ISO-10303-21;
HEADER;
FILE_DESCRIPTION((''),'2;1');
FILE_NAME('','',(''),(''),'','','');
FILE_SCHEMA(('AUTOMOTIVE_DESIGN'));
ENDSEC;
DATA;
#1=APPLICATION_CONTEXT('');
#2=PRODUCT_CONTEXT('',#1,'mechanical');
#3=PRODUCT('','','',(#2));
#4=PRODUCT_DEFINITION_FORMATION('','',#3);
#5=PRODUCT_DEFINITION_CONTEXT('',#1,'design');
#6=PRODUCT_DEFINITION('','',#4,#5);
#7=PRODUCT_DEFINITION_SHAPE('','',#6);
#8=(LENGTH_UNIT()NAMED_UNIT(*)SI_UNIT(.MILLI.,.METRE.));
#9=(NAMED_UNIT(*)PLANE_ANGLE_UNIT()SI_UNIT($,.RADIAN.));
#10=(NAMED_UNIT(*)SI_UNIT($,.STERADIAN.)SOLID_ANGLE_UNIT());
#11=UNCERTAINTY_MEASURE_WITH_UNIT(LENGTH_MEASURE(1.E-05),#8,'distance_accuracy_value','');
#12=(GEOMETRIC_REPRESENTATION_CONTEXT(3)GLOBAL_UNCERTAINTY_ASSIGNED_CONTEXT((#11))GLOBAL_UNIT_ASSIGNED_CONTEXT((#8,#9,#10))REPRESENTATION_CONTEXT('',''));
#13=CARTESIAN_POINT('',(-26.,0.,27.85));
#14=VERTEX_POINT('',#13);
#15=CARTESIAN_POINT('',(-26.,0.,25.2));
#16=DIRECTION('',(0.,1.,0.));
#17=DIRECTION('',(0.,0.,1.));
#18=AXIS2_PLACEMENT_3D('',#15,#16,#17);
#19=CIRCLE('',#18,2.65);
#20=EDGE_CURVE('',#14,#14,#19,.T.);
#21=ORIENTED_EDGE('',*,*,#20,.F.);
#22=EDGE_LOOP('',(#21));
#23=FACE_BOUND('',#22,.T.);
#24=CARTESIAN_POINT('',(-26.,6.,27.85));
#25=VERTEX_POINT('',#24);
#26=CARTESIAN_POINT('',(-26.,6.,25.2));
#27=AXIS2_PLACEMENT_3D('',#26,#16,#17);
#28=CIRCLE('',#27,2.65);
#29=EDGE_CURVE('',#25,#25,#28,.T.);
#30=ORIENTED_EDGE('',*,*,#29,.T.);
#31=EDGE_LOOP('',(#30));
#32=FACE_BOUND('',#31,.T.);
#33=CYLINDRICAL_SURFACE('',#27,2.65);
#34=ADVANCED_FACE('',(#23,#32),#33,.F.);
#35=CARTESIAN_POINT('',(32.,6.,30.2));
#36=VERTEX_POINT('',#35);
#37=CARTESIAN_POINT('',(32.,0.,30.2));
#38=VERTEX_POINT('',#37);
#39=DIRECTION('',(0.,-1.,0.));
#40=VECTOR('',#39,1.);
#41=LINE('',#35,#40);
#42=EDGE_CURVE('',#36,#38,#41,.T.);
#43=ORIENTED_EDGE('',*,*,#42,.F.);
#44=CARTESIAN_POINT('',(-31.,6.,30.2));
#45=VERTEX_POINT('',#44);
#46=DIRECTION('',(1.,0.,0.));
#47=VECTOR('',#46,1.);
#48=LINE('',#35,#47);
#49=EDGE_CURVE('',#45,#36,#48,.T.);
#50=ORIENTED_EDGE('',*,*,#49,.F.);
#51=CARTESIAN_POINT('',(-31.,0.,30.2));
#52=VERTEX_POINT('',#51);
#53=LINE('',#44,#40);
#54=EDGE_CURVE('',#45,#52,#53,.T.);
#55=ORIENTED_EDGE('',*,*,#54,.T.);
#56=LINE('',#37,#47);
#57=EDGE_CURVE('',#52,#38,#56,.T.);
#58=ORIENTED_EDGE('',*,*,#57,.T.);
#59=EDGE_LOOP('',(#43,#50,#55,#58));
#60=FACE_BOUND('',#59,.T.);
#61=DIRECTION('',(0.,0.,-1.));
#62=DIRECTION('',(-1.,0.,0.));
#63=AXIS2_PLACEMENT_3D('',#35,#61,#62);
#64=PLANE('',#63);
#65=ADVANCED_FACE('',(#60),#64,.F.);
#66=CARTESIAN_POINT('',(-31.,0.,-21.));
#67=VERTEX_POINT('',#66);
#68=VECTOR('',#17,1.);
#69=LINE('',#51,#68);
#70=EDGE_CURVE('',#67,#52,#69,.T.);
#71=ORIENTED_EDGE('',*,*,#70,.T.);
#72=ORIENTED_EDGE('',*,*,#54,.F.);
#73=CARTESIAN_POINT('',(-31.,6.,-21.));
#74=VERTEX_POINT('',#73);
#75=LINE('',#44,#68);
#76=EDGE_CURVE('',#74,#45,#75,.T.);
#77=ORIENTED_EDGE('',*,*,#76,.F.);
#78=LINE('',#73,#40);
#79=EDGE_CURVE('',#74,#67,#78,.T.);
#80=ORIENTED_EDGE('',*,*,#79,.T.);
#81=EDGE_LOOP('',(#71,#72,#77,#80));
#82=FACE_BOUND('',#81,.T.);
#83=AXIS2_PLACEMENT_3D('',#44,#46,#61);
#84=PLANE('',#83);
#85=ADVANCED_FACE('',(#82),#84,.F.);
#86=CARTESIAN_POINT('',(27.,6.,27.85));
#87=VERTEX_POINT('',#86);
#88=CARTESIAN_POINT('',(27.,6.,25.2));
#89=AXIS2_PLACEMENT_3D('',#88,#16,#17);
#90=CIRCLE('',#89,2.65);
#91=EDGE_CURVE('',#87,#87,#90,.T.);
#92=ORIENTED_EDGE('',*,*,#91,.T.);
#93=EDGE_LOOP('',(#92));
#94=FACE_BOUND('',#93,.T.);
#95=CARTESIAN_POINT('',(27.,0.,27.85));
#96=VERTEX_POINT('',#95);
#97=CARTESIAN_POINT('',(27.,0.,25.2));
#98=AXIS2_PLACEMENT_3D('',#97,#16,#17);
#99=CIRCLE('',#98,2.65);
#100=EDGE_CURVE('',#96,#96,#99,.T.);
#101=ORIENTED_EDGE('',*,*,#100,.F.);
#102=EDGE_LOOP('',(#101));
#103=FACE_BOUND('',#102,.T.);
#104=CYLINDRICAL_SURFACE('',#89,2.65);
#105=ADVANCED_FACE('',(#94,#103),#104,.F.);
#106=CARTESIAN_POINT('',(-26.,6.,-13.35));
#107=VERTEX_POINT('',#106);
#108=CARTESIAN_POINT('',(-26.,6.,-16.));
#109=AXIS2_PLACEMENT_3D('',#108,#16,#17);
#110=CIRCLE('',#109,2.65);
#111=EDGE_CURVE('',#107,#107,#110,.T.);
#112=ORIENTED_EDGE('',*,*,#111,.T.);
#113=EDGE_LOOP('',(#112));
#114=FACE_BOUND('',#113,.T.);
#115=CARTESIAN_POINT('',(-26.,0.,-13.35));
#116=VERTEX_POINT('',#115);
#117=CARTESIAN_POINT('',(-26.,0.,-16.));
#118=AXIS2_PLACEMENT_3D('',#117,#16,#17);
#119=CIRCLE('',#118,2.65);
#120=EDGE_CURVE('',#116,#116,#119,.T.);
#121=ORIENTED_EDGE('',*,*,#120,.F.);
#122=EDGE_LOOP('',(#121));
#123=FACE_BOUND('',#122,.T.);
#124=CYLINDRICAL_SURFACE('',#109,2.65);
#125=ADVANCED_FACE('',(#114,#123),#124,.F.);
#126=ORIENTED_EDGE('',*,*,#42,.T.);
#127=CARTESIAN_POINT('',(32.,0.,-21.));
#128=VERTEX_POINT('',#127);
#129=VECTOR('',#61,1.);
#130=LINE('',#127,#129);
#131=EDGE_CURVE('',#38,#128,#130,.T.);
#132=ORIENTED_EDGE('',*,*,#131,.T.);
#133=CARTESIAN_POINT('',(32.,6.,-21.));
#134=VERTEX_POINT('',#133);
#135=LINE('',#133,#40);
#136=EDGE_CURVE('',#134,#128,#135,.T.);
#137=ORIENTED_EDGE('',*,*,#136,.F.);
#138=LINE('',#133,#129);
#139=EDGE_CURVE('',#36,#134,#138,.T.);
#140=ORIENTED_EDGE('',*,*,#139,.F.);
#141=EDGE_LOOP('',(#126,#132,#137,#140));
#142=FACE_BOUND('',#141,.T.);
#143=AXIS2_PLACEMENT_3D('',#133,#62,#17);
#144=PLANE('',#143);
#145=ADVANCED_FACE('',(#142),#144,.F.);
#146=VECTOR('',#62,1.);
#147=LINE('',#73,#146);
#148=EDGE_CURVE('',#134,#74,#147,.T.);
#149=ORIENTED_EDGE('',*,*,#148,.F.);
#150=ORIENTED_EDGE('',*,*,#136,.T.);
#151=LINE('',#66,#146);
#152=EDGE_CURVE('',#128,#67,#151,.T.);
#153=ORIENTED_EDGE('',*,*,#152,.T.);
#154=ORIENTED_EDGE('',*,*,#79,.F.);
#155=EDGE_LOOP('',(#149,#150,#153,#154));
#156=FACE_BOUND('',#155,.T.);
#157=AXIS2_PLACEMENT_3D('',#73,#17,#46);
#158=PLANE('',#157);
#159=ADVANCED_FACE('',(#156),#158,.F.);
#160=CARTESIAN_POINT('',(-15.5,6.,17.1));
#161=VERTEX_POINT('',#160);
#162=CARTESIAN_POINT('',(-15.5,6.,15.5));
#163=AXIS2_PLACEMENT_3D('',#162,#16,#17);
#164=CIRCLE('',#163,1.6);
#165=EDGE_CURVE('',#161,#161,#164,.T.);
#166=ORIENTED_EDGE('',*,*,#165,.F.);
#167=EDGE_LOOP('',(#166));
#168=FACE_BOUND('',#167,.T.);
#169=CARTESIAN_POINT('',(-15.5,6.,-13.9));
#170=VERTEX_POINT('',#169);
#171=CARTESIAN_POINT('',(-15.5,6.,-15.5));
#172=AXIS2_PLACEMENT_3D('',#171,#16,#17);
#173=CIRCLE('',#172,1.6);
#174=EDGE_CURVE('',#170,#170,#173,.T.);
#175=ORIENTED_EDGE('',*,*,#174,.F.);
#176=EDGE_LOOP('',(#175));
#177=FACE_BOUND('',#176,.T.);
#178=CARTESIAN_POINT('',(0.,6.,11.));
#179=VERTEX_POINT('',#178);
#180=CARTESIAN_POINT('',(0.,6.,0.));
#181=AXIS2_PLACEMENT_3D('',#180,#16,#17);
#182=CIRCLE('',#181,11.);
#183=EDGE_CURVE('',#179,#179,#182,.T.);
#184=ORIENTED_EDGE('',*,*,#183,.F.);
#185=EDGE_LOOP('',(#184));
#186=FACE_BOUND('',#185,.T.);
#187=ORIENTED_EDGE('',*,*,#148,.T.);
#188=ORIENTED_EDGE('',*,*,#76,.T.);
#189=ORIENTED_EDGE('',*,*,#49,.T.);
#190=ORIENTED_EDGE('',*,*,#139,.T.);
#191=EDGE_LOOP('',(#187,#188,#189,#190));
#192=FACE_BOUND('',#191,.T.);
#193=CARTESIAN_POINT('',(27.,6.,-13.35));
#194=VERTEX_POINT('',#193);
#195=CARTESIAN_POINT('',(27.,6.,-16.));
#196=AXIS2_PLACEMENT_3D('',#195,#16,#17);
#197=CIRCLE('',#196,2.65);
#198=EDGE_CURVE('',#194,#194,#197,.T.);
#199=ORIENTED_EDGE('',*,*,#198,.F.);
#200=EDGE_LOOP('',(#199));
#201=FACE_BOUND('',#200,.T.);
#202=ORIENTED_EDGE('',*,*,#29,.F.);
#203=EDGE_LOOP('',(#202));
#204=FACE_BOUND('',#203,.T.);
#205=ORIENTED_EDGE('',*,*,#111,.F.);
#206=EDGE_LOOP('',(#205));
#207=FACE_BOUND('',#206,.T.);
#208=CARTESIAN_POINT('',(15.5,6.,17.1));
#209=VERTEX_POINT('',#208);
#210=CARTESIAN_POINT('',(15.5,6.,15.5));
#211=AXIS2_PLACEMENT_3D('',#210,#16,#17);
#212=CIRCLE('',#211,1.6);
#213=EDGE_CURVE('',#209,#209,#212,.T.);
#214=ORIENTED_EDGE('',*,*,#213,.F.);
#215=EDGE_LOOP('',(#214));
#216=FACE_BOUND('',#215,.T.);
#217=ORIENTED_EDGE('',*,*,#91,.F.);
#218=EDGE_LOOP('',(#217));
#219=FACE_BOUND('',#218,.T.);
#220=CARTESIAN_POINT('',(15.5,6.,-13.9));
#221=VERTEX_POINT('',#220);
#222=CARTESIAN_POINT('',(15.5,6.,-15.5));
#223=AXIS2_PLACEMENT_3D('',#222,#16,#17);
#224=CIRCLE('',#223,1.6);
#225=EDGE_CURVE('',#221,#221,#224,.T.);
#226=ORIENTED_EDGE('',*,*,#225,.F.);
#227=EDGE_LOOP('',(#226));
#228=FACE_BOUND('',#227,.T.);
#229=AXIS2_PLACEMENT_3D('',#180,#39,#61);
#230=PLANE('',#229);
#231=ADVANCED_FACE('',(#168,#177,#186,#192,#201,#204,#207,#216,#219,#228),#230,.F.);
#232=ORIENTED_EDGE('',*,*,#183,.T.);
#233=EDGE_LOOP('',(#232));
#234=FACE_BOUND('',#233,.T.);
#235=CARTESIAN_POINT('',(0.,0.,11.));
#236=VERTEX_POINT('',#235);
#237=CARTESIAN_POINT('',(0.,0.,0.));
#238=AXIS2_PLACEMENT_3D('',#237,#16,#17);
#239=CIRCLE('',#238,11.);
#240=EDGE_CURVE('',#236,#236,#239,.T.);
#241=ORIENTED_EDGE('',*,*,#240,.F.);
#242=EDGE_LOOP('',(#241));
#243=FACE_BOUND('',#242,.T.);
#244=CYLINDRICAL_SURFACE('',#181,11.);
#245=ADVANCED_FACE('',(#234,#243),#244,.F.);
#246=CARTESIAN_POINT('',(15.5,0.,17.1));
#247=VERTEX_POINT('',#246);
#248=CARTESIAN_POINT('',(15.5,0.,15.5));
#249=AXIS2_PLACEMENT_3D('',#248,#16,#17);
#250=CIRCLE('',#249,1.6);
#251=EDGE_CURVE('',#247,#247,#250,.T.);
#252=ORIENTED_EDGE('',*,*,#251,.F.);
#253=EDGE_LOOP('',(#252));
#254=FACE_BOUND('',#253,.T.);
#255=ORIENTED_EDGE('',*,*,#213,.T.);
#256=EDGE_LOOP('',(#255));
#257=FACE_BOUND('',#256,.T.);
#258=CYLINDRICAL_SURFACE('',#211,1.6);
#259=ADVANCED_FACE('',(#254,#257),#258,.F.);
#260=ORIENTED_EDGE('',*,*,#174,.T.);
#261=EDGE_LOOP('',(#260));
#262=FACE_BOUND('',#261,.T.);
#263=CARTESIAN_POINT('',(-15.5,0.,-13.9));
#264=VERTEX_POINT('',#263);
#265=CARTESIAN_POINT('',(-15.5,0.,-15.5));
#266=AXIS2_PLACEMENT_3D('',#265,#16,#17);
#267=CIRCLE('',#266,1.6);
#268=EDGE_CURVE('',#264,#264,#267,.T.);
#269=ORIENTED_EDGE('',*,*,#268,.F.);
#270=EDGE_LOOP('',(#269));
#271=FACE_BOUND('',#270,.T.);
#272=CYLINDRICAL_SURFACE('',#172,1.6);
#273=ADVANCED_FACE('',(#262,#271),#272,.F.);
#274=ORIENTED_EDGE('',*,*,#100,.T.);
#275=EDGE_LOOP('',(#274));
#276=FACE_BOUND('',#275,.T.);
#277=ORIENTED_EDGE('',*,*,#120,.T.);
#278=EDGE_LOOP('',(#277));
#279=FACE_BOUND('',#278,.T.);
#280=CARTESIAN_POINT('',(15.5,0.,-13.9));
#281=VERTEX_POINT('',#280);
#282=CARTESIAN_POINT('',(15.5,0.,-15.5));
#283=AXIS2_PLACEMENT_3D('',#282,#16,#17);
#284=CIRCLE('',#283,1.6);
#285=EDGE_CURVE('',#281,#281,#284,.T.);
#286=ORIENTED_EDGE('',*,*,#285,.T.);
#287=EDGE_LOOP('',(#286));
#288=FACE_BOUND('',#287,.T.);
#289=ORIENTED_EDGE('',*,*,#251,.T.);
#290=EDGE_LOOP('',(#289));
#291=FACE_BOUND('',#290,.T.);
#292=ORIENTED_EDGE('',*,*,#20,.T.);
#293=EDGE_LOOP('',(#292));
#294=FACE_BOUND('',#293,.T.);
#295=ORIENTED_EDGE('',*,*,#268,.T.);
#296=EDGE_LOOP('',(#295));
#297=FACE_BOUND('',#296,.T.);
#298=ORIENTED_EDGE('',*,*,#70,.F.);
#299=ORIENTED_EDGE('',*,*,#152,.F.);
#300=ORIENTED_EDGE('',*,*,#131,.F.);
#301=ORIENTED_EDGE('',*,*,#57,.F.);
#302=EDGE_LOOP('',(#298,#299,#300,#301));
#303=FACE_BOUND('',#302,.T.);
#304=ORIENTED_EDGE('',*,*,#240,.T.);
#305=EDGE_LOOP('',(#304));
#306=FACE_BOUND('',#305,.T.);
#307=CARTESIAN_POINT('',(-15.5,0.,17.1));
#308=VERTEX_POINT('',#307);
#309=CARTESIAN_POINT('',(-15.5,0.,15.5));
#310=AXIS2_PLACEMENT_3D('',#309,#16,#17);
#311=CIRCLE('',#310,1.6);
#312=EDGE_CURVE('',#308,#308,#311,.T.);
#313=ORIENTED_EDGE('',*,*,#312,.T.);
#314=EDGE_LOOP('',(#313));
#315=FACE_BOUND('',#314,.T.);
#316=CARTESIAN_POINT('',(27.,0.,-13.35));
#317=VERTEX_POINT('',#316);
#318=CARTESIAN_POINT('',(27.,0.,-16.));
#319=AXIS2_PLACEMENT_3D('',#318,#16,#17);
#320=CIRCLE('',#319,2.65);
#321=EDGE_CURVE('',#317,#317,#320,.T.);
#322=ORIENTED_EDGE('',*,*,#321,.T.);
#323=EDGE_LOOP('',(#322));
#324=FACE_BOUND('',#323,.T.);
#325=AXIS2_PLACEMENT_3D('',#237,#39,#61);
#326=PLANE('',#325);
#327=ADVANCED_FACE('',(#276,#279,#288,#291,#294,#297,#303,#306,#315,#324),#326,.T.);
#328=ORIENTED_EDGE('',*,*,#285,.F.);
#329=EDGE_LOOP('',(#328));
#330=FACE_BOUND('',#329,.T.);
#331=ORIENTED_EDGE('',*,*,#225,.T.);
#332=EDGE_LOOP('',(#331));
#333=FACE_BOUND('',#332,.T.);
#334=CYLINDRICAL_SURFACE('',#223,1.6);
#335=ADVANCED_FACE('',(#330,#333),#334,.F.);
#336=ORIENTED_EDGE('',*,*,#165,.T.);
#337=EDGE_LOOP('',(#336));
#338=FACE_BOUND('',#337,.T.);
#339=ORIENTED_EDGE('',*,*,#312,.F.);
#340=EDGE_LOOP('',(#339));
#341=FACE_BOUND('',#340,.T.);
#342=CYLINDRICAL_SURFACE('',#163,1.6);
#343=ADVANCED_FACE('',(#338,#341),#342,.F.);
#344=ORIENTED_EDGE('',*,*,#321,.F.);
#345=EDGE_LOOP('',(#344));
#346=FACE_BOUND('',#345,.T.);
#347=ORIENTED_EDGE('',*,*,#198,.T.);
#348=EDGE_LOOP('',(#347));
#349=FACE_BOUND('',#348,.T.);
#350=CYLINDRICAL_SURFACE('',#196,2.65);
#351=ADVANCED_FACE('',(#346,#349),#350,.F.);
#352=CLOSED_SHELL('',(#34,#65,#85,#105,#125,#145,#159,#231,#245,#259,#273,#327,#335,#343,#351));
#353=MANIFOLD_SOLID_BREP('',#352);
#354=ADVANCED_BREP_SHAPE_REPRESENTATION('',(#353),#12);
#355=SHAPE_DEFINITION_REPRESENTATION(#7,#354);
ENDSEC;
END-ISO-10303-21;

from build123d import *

# Parameters (mm, degrees)
SKETCH1_W                  = 63
SKETCH1_H                  = 51.2
BOSS_EXTRUDE1_DEPTH        = 6
M5_CLEARANCE_HOLE1_D       = 5.3
M3_CLEARANCE_HOLE1_D       = 3.2
F_22_0_22_DIAMETER_HOLE1_D = 22


with BuildPart() as part:
    # Sketch1 → Boss-Extrude1 (new body)
    with BuildSketch(Plane(origin=(0, 0, 0), x_dir=(1, 0, 0), z_dir=(0, 1, 0))):
        with Locations((0.5, -4.6)):
            Rectangle(SKETCH1_W, SKETCH1_H)
    extrude(amount=BOSS_EXTRUDE1_DEPTH)

    # M5 Clearance Hole1 (through all)
    with Locations(Plane(origin=(0, 6, 0), x_dir=(1, 0, 0), z_dir=(0, 1, 0))):
        with Locations((-26, 16), (-26, -25.2), (27, -25.2), (27, 16)):
            Hole(M5_CLEARANCE_HOLE1_D / 2)

    # M3 Clearance Hole1 (through all)
    with Locations(Plane(origin=(0, 6, 0), x_dir=(1, 0, 0), z_dir=(0, 1, 0))):
        with Locations((-15.5, 15.5), (15.5, 15.5), (15.5, -15.5), (-15.5, -15.5)):
            Hole(M3_CLEARANCE_HOLE1_D / 2)

    # Ø22.0 (22) Diameter Hole1 (through all)
    with Locations(Plane(origin=(0, 6, 0), x_dir=(1, 0, 0), z_dir=(0, 1, 0))):
        with Locations((0, 0)):
            Hole(F_22_0_22_DIAMETER_HOLE1_D / 2)


solid = part.part
